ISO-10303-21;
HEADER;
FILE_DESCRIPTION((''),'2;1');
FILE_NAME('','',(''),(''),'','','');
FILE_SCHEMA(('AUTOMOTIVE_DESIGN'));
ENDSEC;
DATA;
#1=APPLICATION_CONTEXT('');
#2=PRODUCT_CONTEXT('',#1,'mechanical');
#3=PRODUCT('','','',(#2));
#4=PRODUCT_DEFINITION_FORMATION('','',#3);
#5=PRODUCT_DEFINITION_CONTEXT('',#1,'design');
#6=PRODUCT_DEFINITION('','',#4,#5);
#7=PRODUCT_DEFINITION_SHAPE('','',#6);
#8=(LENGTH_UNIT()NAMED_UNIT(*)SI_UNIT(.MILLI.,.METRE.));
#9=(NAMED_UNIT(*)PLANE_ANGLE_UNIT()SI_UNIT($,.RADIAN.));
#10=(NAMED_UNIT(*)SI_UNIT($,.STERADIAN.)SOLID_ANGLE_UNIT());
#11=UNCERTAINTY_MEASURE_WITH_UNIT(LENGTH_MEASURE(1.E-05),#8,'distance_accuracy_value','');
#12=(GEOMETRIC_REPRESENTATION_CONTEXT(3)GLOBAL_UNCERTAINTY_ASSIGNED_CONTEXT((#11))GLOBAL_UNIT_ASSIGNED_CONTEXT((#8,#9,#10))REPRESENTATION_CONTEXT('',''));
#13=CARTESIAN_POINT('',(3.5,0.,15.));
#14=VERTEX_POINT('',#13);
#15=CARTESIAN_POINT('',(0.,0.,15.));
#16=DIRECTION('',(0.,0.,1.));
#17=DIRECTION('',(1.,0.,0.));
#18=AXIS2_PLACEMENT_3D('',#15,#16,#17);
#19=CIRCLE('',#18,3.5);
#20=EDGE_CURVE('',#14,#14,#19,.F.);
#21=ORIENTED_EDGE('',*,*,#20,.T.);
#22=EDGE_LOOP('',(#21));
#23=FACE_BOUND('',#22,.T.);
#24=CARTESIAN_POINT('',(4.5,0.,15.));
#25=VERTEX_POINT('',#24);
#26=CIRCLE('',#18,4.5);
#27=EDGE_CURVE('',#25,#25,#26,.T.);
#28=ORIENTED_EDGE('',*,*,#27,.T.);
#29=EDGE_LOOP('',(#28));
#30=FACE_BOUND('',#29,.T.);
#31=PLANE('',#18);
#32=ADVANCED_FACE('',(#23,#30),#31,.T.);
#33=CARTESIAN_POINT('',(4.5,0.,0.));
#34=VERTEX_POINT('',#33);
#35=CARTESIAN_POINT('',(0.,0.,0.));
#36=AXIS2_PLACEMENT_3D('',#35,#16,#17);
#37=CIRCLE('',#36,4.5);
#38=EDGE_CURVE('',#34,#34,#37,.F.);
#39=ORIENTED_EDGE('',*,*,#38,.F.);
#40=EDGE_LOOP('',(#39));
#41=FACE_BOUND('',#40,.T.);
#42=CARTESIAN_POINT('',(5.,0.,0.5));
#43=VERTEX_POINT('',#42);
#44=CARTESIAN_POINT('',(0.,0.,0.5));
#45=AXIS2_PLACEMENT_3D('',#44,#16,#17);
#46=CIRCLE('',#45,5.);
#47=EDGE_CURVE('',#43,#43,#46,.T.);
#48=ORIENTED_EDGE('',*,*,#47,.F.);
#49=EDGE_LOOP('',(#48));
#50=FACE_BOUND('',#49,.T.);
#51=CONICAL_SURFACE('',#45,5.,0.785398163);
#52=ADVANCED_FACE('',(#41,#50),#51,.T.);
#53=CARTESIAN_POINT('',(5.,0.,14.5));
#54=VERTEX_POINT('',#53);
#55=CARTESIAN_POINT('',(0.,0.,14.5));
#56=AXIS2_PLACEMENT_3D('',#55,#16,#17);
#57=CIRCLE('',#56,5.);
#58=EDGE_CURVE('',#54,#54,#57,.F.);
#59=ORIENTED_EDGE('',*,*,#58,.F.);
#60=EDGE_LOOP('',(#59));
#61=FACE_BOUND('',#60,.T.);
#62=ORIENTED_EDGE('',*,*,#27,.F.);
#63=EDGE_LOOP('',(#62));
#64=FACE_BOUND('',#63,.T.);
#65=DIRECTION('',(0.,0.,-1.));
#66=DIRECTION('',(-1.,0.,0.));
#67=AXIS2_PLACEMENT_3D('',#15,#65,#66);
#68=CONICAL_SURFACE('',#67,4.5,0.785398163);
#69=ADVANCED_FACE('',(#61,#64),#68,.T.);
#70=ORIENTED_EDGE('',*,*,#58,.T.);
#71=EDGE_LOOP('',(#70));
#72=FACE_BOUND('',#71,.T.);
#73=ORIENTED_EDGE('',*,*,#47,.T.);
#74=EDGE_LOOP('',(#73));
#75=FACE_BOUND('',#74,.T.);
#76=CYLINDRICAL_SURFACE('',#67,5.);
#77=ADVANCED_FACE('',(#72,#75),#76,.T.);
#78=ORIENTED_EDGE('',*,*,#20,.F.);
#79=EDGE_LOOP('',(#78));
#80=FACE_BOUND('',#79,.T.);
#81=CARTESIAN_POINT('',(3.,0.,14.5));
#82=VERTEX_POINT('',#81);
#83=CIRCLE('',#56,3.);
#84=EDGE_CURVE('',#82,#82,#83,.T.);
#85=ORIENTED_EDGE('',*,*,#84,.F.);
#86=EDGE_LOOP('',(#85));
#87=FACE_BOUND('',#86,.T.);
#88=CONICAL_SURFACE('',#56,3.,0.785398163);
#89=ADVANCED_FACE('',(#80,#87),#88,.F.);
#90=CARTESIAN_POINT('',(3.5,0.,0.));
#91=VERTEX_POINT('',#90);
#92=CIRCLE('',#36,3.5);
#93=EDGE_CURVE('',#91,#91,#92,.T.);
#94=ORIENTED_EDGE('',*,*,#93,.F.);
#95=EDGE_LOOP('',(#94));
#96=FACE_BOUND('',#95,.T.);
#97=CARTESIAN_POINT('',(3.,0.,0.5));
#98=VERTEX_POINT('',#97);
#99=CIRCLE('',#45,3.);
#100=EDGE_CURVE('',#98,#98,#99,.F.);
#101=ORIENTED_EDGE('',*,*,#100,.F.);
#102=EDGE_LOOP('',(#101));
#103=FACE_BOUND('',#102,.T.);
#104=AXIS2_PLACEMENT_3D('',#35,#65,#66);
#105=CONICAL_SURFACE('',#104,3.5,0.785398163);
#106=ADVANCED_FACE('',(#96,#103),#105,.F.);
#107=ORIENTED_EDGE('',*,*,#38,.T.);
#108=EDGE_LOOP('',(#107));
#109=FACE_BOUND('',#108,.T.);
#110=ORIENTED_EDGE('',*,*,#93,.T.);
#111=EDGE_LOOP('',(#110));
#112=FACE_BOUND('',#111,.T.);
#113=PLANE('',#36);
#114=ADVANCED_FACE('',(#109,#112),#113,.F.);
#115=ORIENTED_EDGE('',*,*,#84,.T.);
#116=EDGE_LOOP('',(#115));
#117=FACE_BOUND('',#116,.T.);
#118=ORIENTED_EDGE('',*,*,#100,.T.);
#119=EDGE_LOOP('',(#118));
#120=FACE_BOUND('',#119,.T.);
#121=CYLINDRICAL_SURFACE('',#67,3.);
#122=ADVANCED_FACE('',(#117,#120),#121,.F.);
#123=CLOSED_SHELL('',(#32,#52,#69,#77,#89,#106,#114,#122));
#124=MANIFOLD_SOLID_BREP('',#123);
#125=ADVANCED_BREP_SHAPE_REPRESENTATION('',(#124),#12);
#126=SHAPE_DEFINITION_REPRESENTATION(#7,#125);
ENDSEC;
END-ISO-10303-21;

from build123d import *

# Parameters (mm, degrees)
SKETCH_1_R      = 5
SKETCH_1_R_2    = 3
EXTRUDE_1_DEPTH = 15
CHAMFER_1_SIZE  = 0.5


with BuildPart() as part:
    # Эскиз1 → Бобышка-Вытянуть1 (new body)
    with BuildSketch(Plane.XY):
        Circle(SKETCH_1_R)
        Circle(SKETCH_1_R_2, mode=Mode.SUBTRACT)
    extrude(amount=EXTRUDE_1_DEPTH)

    # Фаска1
    chamfer_1_edges = [part.edges().sort_by_distance(p)[0] for p in [
        (-5, 0, 0),
        (-5, 0, 15),
        (-3, 0, 0),
        (-3, 0, 15),
    ]]
    chamfer(chamfer_1_edges, length=CHAMFER_1_SIZE)


solid = part.part
